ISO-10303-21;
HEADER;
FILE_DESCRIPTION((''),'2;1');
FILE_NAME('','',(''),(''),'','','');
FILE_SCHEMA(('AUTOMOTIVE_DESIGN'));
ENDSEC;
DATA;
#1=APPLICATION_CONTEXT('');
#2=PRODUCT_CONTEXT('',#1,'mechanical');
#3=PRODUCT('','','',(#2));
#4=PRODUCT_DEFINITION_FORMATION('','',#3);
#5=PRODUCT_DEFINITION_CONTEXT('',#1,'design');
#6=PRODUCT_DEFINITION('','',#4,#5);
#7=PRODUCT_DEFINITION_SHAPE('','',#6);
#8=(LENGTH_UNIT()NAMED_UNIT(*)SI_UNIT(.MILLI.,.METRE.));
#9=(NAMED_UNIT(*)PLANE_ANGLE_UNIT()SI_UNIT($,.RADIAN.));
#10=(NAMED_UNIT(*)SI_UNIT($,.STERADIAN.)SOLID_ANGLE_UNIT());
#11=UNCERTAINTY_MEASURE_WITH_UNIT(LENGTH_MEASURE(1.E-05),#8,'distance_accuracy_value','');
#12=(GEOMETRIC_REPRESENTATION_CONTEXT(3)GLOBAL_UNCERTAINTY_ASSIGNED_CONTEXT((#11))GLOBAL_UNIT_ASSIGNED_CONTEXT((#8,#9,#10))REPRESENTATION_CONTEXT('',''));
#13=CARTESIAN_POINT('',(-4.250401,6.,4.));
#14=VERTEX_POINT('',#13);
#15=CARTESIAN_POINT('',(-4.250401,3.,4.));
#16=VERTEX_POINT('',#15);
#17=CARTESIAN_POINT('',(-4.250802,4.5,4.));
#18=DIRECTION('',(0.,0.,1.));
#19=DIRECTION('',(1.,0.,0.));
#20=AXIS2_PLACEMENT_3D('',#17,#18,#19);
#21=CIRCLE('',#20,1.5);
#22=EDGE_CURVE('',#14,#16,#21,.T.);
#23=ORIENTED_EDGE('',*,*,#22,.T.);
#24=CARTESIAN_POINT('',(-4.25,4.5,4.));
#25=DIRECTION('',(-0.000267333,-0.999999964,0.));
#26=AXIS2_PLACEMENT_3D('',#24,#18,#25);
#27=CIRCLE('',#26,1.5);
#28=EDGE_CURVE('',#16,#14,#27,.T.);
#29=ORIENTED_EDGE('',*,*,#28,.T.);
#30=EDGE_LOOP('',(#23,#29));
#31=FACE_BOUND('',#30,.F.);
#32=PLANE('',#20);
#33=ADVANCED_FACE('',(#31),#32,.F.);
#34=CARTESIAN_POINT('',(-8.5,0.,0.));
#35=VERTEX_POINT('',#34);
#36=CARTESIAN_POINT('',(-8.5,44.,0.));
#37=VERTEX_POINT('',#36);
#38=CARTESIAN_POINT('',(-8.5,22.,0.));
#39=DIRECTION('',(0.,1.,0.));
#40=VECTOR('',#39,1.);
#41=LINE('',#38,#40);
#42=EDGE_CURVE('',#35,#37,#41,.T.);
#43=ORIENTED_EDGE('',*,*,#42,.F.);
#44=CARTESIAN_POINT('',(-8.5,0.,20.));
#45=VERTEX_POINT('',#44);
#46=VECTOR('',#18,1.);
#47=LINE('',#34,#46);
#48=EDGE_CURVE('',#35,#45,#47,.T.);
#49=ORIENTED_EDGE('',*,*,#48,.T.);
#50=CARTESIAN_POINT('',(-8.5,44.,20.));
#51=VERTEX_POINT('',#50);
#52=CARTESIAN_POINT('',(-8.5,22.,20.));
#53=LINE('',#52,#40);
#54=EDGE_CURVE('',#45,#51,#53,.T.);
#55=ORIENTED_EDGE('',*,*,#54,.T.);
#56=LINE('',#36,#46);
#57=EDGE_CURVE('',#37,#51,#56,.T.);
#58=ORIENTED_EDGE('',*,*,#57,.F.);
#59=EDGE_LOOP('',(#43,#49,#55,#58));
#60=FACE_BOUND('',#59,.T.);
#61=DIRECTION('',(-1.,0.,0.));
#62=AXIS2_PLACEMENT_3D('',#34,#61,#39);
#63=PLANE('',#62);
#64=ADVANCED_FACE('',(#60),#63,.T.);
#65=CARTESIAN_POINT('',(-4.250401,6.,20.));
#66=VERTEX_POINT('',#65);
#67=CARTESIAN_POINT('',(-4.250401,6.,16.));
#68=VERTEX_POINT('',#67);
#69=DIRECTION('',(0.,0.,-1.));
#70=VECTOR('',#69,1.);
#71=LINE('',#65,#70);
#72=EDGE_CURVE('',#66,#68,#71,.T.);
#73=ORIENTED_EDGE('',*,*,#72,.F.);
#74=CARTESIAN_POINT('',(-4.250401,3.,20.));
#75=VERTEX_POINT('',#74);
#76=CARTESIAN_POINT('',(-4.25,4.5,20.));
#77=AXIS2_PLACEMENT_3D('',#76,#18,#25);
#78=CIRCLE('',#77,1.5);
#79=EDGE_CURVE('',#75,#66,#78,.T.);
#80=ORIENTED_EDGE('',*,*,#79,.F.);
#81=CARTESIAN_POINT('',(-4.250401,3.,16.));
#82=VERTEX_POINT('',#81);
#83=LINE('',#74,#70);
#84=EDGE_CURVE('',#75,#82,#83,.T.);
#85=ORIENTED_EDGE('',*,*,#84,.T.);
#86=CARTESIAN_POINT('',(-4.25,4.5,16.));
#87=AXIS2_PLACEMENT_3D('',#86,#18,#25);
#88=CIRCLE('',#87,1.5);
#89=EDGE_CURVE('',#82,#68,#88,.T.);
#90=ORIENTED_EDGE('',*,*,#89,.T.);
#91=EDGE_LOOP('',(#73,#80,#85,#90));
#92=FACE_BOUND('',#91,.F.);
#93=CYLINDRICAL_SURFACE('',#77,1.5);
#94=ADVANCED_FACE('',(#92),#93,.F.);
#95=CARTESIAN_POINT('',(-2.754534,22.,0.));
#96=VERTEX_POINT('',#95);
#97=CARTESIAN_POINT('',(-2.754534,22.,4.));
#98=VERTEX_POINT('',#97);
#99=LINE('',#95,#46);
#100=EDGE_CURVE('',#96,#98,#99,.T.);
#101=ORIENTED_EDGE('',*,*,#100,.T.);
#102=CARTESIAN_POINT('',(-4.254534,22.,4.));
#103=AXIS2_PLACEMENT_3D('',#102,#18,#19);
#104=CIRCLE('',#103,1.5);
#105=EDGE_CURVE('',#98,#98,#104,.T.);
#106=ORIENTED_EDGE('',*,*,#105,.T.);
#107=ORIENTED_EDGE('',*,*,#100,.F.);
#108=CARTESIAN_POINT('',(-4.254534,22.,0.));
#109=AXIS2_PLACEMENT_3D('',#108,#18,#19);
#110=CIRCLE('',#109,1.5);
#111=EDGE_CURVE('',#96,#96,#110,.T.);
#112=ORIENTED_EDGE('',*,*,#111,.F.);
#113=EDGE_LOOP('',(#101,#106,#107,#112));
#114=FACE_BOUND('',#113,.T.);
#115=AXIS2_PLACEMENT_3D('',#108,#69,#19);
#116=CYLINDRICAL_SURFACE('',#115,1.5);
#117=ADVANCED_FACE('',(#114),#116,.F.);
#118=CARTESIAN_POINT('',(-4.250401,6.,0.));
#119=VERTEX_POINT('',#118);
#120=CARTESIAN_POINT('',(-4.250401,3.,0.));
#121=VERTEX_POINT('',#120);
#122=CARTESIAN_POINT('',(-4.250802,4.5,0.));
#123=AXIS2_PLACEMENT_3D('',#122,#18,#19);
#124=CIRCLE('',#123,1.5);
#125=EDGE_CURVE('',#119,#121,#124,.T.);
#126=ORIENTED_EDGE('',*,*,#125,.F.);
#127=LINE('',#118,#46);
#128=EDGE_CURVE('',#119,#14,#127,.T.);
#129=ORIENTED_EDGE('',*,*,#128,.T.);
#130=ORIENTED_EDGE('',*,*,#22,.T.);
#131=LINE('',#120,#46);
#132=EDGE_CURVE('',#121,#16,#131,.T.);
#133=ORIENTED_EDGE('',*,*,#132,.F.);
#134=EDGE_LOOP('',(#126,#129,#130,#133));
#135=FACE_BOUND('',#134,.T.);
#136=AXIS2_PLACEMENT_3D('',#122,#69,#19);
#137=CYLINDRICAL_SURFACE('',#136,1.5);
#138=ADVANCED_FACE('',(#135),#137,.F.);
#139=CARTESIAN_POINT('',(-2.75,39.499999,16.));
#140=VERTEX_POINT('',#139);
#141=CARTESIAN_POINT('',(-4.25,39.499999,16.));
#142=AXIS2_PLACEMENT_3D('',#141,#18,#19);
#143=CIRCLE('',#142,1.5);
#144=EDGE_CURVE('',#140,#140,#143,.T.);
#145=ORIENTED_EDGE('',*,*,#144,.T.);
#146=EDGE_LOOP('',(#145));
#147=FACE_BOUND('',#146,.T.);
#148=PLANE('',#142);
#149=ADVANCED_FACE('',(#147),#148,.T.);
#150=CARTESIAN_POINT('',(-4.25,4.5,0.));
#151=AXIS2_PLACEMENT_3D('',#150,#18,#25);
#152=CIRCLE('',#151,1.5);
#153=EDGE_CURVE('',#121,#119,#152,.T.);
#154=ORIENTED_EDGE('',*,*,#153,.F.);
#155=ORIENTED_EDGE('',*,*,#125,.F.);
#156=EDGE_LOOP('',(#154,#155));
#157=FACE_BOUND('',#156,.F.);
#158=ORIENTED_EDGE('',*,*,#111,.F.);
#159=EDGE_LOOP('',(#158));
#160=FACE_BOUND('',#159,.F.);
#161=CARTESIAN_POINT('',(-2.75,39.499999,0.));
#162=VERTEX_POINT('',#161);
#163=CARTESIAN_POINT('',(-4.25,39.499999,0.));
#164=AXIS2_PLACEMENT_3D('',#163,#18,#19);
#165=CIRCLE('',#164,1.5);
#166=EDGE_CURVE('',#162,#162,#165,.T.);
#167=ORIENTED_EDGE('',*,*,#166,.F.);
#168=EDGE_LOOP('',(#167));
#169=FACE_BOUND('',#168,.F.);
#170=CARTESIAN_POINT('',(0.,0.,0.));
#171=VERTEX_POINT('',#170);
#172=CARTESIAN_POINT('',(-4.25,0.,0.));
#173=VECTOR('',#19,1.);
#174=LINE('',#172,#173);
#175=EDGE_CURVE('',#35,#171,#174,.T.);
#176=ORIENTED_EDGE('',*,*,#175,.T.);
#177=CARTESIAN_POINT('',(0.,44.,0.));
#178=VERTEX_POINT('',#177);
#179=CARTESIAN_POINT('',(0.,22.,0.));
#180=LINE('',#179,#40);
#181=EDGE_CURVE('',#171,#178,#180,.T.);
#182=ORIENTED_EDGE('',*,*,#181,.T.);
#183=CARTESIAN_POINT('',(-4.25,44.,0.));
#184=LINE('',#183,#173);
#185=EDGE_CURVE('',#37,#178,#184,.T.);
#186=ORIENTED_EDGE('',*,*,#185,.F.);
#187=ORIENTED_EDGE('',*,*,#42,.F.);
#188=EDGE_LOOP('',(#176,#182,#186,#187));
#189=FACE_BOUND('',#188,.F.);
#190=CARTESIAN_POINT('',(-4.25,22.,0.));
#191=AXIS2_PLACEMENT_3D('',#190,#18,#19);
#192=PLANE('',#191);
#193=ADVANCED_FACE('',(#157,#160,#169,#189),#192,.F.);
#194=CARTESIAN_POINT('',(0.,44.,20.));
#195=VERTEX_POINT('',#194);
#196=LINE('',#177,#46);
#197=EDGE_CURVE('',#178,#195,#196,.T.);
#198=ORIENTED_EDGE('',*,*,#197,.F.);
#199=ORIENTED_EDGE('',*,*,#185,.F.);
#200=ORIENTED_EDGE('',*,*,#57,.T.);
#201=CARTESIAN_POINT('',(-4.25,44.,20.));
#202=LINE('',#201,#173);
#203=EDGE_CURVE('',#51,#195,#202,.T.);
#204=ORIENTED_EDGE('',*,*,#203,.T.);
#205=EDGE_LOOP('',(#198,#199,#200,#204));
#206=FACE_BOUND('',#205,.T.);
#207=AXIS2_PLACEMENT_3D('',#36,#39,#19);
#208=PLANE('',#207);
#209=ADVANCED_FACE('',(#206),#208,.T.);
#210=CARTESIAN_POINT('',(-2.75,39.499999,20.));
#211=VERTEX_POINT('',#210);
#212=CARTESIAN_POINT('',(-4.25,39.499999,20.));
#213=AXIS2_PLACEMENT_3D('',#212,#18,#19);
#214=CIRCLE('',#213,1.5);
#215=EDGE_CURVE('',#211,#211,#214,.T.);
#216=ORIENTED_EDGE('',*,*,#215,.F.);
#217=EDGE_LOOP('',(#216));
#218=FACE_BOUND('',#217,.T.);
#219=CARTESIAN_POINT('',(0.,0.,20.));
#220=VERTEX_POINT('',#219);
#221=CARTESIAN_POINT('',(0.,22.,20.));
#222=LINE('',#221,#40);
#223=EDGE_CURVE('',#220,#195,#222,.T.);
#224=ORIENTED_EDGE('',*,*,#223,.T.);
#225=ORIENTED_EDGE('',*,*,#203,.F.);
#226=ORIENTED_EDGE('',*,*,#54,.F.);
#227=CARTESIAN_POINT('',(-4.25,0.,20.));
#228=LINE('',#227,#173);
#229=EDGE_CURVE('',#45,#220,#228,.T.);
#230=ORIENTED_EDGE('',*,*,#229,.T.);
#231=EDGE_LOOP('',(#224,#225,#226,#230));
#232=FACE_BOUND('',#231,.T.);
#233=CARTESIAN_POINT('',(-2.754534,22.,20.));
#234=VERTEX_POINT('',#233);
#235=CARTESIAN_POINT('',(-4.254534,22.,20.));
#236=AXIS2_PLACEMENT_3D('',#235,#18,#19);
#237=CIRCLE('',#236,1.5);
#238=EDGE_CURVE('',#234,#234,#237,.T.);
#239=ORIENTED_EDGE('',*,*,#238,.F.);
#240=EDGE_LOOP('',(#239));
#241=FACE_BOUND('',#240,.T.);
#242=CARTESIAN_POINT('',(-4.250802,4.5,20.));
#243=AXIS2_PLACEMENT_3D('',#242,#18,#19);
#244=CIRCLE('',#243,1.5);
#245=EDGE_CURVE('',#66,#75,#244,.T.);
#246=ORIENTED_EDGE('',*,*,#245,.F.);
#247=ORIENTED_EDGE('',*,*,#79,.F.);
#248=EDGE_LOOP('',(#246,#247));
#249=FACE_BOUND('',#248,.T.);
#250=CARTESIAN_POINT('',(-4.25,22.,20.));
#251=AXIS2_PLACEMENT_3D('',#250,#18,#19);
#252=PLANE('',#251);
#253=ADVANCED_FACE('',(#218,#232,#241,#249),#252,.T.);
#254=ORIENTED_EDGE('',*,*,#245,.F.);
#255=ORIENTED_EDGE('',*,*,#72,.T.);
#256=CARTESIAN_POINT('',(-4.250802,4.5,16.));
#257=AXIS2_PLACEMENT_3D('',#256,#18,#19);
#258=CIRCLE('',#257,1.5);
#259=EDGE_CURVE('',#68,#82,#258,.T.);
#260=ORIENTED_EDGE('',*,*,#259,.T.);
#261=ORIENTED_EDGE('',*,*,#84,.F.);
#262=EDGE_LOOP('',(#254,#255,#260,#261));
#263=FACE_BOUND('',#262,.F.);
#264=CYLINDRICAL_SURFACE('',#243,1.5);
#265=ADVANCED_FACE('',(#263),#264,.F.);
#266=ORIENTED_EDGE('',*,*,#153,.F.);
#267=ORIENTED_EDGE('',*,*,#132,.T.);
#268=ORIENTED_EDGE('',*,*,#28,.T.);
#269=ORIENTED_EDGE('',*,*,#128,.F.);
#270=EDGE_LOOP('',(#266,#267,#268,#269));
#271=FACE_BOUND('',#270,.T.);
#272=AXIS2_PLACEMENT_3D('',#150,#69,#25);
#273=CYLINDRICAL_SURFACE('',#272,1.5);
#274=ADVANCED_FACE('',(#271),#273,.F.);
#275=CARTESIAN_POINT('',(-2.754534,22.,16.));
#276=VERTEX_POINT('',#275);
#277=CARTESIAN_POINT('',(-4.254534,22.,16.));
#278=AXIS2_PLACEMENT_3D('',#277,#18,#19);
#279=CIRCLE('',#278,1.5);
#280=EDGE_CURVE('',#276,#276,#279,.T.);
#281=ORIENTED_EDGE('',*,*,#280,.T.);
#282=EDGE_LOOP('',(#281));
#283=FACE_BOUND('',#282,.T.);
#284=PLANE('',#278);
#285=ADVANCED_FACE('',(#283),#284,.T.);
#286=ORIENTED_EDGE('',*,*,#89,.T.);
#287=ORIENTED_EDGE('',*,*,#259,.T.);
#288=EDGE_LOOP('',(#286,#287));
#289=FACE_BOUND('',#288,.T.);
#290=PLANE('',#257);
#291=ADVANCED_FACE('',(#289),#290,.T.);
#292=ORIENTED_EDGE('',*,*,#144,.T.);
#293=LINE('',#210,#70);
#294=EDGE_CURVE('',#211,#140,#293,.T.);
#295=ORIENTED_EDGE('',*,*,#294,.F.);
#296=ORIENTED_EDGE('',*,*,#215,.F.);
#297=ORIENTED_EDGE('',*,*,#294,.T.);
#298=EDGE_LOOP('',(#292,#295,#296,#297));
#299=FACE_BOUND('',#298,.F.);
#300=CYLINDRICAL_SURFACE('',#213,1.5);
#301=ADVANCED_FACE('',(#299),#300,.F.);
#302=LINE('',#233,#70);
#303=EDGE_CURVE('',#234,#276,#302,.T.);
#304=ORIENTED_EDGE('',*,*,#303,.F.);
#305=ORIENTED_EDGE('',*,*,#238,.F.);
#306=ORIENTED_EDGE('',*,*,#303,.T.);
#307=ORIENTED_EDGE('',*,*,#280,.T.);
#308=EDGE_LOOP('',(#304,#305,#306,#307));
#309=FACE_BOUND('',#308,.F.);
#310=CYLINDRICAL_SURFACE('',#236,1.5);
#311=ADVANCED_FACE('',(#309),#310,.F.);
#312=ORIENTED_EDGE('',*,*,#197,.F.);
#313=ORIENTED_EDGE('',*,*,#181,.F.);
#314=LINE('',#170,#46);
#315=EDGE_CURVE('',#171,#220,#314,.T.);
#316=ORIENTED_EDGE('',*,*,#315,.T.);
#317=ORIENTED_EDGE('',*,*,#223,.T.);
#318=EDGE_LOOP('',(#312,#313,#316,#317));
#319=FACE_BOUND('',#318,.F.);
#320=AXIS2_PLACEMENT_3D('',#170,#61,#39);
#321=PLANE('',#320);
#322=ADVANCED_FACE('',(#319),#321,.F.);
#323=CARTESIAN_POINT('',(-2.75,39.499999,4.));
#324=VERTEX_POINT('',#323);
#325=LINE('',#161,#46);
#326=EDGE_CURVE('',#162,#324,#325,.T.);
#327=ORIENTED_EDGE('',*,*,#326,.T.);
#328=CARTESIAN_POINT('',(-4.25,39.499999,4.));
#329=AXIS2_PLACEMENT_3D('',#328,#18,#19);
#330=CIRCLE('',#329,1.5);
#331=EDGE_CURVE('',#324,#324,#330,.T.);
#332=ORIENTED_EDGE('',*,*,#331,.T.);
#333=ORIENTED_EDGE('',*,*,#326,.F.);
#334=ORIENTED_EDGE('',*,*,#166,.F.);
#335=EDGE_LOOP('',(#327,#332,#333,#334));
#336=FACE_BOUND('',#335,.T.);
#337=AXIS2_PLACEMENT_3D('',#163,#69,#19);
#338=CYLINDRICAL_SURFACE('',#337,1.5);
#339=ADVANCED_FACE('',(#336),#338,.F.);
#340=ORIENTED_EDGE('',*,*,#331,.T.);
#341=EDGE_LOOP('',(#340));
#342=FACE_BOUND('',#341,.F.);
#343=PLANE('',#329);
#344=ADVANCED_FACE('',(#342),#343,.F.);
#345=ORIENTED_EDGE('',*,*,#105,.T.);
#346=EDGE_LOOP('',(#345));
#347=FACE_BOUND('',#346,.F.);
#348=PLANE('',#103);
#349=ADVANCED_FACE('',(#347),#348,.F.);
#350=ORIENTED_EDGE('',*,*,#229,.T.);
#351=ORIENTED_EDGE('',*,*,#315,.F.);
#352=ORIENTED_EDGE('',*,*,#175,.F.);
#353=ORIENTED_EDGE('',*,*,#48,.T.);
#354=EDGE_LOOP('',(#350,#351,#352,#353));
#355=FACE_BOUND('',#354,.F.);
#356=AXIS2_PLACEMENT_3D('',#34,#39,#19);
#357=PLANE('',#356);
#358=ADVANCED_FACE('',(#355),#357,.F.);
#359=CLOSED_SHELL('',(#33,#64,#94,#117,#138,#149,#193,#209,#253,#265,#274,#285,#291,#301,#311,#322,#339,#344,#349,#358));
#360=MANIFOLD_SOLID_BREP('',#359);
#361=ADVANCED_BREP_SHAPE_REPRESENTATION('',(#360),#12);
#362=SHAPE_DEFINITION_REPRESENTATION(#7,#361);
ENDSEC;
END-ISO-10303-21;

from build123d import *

# Parameters (mm, degrees)
SKETCH014_W   = 8.5
SKETCH014_H   = 44
PAD_DEPTH     = 20
SKETCH008_R   = 1.5
HOLE_DEPTH    = 4
SKETCH018_R   = 1.5
HOLE002_DEPTH = 4


with BuildPart() as part:
    # Sketch014 → Pad (new body)
    with BuildSketch(Plane.XY):
        with Locations((-4.25, 22)):
            Rectangle(SKETCH014_W, SKETCH014_H)
    extrude(amount=PAD_DEPTH)

    # Sketch008 → Hole (cut)
    with BuildSketch(Plane.XY):
        with Locations((-4.250802, 4.5)):
            Circle(SKETCH008_R)
        with Locations((-4.25, 39.499999)):
            Circle(SKETCH008_R)
        with Locations((-4.254534, 22)):
            Circle(SKETCH008_R)
        with Locations((-4.25, 4.5)):
            Circle(SKETCH008_R)
    extrude(amount=HOLE_DEPTH, mode=Mode.SUBTRACT)

    # Sketch018 (on Face5 of Hole) → Hole002 (cut)
    with BuildSketch(Plane.XY.offset(20)):
        with Locations((-4.250802, 4.5)):
            Circle(SKETCH018_R)
        with Locations((-4.25, 39.499999)):
            Circle(SKETCH018_R)
        with Locations((-4.254534, 22)):
            Circle(SKETCH018_R)
        with Locations((-4.25, 4.5)):
            Circle(SKETCH018_R)
    extrude(amount=-HOLE002_DEPTH, mode=Mode.SUBTRACT)


solid = part.part
